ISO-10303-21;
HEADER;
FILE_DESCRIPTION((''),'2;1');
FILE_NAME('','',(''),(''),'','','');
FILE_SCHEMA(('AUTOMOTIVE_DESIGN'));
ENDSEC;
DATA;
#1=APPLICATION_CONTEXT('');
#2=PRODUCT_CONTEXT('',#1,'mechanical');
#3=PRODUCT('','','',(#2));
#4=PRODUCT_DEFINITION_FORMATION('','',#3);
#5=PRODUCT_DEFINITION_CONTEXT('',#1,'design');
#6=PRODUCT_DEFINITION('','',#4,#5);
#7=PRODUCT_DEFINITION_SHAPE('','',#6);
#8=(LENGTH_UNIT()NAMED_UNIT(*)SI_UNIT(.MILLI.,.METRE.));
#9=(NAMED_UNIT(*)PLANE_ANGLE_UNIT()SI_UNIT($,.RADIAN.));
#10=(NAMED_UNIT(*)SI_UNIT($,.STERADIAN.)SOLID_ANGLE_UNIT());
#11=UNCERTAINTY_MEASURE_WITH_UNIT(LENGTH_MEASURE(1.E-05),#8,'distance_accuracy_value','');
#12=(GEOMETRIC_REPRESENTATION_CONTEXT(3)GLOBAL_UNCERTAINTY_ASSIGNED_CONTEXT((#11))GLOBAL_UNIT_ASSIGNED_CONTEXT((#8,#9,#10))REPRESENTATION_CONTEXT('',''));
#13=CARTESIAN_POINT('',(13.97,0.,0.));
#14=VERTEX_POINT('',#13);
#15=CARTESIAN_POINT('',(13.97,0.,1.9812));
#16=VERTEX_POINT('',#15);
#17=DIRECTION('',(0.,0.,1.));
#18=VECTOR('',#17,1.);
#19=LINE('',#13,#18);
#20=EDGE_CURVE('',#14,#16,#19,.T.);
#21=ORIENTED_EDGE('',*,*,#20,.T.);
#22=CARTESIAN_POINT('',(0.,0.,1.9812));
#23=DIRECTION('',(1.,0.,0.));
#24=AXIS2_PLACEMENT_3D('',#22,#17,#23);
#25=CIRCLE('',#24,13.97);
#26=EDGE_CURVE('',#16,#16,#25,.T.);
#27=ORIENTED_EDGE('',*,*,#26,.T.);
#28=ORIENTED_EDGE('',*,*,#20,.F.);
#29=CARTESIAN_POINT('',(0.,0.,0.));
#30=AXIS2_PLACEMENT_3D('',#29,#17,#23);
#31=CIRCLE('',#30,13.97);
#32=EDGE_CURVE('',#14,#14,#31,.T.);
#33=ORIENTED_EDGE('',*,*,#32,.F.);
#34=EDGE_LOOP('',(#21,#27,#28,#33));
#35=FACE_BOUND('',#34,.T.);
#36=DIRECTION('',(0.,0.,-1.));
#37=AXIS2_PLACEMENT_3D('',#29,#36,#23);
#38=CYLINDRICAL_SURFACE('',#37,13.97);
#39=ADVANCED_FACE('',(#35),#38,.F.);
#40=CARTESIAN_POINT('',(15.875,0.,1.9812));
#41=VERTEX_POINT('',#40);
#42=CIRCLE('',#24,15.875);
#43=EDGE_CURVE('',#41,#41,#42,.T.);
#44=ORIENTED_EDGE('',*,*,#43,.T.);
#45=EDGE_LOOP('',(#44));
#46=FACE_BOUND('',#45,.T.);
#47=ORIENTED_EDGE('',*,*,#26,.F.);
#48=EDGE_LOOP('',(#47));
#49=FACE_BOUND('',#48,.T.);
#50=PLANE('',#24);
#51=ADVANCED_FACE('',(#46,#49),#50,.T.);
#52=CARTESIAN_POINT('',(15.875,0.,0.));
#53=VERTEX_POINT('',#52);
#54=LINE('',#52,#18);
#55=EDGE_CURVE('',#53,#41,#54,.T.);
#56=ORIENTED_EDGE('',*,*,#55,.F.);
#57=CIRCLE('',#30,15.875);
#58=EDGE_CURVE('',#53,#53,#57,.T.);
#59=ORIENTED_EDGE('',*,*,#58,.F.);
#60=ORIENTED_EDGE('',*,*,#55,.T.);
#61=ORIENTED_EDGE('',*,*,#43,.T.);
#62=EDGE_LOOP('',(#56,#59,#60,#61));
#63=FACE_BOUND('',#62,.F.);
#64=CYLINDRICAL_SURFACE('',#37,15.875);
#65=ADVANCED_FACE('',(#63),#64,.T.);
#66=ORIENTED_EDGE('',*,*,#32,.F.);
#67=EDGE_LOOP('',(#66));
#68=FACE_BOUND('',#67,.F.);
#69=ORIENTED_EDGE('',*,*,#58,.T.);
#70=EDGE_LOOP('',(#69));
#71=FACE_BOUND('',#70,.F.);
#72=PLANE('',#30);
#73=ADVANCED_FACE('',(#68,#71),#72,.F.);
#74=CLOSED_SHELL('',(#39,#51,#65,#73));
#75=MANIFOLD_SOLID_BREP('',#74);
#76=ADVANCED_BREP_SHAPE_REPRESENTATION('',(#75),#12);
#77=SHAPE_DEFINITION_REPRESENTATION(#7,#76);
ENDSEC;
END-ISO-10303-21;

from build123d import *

# Parameters (mm, degrees)
F0_R     = 15.875
F0_R_2   = 13.97
F1_DEPTH = 1.9812


with BuildPart() as f1:
    # F0 (on Top) → F1 (new body)
    with BuildSketch(Plane.XY):
        Circle(F0_R)
        Circle(F0_R_2, mode=Mode.SUBTRACT)
    extrude(amount=F1_DEPTH)


solid = f1.part
